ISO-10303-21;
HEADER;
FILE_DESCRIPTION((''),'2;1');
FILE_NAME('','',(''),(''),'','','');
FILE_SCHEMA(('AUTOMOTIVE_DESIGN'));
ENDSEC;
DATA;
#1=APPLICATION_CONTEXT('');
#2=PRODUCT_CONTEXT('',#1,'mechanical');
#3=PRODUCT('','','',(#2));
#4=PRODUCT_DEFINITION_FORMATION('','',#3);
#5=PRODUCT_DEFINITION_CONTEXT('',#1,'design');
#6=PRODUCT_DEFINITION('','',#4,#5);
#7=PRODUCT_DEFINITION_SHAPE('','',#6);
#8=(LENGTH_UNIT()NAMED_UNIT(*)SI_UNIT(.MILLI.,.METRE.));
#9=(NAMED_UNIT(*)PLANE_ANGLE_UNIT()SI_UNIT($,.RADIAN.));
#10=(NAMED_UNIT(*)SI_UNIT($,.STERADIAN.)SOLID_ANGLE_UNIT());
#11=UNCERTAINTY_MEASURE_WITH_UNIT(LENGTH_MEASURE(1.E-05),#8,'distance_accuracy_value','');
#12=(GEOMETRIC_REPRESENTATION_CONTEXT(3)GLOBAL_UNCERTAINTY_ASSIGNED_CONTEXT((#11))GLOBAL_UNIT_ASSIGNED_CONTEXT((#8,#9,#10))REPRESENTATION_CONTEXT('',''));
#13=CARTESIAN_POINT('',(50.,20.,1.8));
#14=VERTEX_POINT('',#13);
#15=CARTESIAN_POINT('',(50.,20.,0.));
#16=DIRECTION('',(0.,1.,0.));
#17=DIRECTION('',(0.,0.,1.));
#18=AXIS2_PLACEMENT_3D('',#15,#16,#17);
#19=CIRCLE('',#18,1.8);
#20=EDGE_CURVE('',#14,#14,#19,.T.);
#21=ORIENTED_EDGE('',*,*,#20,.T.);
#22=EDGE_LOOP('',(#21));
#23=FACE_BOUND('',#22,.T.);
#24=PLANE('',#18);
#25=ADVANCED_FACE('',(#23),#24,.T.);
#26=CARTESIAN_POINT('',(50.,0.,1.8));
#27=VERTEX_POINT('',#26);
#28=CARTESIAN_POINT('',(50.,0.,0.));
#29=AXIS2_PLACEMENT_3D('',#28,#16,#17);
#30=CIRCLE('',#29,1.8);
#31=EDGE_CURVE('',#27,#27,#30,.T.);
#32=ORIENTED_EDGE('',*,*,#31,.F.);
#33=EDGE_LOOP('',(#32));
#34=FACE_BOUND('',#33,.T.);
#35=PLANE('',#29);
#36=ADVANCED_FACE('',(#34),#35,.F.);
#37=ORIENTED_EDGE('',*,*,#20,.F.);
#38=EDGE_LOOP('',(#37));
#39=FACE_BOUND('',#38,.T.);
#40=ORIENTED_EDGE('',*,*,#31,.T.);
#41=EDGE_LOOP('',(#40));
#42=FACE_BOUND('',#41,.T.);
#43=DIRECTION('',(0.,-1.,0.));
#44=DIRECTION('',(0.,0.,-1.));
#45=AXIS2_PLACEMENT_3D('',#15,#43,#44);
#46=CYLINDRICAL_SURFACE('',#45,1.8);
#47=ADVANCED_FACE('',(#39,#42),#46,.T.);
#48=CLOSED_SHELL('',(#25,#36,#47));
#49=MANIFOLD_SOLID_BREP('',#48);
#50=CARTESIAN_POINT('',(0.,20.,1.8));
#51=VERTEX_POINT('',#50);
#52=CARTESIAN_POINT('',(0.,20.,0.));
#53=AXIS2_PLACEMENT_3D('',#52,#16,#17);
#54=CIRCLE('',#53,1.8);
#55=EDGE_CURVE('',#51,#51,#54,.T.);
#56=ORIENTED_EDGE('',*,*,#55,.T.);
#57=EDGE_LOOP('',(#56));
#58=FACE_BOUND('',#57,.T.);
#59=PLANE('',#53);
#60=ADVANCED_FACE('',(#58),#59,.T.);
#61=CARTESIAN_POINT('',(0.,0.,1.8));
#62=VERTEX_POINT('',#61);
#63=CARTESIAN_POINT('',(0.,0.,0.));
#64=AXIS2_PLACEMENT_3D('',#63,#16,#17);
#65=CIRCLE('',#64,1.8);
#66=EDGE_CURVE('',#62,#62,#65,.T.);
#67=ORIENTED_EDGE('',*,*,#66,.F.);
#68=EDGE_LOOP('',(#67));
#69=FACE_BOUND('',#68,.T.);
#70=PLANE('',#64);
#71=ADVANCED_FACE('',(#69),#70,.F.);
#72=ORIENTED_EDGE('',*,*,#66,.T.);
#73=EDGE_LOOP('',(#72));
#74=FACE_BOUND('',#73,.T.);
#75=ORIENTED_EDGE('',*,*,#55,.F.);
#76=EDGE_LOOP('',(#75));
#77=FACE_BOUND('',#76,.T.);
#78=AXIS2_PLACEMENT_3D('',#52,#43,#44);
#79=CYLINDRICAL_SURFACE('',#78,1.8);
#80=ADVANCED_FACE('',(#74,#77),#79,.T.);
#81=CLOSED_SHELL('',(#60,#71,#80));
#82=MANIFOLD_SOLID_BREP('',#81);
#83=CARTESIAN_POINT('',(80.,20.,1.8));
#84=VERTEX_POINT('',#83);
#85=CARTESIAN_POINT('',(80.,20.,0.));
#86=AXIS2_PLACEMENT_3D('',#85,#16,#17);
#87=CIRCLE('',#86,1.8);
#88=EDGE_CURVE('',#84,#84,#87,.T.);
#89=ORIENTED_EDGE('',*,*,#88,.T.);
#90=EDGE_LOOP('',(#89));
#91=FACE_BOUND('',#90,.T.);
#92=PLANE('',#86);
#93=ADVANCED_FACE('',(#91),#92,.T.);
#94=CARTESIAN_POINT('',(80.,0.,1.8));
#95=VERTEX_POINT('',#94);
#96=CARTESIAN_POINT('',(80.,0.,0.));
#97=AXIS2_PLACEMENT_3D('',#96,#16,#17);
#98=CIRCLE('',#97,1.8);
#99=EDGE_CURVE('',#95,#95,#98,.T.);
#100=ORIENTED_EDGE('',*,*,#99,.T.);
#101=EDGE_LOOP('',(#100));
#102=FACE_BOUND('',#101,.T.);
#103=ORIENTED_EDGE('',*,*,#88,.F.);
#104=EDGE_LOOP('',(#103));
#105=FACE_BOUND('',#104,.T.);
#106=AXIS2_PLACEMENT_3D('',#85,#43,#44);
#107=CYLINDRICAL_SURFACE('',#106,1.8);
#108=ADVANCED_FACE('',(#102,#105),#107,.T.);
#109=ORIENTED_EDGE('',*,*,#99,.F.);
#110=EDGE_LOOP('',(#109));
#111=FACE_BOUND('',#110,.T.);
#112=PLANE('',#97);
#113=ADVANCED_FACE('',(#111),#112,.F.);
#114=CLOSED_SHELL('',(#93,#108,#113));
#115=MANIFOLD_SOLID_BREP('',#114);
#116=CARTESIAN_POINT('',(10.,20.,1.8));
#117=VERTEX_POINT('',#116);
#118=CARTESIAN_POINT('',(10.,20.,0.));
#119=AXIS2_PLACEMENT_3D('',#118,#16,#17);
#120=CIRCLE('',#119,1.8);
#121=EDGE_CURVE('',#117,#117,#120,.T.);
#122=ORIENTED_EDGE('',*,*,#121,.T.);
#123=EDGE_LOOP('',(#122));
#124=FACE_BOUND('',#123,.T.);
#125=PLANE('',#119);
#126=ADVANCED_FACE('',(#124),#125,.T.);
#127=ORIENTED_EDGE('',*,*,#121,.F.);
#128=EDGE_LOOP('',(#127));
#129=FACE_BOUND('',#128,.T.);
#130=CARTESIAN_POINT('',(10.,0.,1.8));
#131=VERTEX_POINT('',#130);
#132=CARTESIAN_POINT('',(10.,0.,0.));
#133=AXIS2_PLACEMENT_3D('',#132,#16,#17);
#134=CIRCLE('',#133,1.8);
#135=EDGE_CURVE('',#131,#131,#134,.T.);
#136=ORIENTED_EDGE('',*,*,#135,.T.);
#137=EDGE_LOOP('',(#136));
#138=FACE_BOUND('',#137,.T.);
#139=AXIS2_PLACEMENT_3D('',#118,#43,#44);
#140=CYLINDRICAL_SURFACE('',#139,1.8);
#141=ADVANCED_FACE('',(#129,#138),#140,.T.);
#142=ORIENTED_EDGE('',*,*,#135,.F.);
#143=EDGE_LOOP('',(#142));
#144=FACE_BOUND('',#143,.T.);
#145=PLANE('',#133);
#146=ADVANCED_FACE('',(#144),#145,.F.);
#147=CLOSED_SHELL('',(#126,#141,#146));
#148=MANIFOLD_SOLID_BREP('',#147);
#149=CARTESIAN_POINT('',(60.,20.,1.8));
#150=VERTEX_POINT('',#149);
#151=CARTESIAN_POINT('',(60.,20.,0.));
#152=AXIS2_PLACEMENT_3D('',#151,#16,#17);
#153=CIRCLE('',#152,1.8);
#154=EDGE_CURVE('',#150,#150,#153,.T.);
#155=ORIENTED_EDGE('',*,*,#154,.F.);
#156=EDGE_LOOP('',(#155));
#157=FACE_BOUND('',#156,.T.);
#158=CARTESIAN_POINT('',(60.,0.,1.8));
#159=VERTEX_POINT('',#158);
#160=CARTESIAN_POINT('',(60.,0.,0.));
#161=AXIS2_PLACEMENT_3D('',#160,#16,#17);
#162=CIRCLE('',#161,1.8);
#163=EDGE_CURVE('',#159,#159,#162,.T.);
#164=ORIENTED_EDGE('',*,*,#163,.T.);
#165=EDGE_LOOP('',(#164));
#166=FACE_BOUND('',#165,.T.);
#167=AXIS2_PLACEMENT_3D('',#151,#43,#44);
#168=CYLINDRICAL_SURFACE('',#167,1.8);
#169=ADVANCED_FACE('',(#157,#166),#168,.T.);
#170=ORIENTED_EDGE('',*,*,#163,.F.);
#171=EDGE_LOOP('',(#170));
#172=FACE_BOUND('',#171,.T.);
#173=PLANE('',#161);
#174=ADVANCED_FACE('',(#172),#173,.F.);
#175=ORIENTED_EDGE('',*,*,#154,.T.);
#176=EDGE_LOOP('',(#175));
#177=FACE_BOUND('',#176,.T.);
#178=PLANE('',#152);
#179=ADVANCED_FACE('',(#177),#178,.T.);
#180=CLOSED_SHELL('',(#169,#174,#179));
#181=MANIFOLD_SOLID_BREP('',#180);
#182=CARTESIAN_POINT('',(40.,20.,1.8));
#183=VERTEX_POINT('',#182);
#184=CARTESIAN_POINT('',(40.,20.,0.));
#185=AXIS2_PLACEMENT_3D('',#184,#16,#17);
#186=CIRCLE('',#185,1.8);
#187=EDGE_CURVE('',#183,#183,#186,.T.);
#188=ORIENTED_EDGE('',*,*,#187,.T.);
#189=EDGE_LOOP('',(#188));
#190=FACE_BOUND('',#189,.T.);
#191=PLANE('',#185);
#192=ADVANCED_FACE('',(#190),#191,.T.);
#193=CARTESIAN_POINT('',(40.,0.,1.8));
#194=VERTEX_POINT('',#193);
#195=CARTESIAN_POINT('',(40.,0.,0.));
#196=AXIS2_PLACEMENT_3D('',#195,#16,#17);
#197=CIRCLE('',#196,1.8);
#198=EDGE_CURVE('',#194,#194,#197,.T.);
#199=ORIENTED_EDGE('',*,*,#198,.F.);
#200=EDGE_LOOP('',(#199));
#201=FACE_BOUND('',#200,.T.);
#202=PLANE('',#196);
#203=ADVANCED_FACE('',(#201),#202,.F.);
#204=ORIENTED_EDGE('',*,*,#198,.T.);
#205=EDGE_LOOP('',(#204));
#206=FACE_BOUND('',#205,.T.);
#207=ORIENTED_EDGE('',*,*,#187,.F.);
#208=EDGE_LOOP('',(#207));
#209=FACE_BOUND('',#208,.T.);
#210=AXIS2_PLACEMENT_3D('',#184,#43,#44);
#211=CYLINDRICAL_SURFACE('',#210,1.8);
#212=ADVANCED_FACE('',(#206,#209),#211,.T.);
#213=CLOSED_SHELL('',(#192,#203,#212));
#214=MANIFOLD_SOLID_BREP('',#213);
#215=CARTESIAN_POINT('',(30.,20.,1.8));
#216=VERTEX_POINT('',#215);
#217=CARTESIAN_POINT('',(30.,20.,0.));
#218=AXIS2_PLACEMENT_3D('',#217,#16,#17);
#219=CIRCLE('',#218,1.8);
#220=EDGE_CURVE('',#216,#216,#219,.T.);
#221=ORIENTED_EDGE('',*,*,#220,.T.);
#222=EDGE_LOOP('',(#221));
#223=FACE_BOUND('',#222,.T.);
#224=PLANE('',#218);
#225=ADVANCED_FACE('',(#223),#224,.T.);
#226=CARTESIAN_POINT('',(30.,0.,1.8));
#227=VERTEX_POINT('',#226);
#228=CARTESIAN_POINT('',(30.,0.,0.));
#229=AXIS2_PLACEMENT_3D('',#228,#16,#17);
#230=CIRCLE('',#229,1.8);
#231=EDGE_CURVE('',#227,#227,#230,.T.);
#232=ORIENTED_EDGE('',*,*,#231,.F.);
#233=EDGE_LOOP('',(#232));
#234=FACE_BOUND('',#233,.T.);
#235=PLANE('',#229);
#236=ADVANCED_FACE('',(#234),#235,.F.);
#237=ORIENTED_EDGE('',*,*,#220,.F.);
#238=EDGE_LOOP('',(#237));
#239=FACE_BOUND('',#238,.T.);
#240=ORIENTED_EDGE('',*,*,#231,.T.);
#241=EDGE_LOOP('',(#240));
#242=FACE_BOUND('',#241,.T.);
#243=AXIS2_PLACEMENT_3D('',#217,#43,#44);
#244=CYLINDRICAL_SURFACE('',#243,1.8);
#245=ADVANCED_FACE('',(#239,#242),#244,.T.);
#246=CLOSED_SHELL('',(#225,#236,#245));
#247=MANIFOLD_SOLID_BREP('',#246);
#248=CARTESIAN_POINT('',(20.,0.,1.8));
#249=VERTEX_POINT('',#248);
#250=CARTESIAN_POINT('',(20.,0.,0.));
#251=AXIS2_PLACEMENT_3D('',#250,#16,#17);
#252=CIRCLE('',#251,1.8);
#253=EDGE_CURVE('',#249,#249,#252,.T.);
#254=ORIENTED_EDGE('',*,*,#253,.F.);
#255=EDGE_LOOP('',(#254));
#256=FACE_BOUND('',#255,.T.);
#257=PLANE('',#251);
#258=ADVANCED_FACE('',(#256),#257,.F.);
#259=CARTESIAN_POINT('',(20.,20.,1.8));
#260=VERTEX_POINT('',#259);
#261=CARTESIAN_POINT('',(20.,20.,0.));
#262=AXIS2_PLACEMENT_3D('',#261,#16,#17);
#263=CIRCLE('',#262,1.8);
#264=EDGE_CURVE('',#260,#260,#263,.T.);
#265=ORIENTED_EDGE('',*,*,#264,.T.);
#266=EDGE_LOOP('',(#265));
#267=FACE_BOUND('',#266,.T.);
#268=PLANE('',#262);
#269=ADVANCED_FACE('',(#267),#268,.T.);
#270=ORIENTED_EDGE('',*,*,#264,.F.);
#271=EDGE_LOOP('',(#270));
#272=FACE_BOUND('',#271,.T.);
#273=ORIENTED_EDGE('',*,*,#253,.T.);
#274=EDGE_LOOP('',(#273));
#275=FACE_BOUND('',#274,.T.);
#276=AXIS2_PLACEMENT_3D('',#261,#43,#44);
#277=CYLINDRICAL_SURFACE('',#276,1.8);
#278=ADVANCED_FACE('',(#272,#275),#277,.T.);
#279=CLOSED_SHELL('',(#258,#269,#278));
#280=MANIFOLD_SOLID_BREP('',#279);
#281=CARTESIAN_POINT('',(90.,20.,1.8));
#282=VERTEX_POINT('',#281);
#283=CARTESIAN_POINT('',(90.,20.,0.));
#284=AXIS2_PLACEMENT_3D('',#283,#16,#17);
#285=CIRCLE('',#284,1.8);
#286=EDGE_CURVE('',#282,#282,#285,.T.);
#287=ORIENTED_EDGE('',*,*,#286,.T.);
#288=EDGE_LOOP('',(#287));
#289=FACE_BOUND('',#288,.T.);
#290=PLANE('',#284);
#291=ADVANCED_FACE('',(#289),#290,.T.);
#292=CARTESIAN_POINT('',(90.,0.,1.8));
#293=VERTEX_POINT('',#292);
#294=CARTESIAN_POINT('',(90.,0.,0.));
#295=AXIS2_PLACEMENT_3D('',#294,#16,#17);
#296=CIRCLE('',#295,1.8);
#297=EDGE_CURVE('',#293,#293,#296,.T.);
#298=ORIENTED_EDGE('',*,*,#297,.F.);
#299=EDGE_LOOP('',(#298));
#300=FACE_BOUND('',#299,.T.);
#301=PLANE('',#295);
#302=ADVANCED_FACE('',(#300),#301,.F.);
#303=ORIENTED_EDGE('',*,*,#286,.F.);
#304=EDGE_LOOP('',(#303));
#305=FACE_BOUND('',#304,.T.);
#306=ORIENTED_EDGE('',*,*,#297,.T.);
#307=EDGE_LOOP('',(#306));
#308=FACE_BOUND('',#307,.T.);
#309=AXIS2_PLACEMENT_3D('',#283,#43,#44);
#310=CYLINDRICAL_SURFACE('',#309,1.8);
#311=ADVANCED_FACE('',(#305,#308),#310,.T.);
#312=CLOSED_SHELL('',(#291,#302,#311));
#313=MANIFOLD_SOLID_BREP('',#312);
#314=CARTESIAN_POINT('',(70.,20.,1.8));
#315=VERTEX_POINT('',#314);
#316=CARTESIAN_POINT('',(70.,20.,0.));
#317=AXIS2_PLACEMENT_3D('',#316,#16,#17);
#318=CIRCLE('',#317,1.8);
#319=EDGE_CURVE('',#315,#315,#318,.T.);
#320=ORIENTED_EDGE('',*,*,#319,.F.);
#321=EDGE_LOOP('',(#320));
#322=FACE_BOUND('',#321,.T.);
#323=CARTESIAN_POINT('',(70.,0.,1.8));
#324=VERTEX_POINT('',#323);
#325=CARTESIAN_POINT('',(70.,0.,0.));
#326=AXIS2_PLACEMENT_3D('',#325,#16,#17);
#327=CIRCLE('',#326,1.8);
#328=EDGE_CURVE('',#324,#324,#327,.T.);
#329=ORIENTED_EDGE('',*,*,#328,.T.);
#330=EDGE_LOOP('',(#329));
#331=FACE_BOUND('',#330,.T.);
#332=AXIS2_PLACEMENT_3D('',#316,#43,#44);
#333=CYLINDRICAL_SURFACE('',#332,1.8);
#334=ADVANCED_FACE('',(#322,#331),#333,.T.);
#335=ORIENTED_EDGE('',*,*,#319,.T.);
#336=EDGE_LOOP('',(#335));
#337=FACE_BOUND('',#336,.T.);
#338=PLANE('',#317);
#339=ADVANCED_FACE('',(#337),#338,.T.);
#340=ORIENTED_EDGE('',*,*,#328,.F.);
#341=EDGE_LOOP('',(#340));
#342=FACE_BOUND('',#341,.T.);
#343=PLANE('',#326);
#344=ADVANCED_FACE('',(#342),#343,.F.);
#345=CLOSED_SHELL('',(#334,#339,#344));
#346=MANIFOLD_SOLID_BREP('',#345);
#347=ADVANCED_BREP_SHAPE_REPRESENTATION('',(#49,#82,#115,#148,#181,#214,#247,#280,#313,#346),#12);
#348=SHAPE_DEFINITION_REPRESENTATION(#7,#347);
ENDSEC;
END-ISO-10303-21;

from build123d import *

# Parameters (mm, degrees)
SKETCH_1_R         = 1.8
EXTRUDE_1_DEPTH    = 20
EXTRUDE_1_2_DEPTH  = 20
EXTRUDE_1_3_DEPTH  = 20
EXTRUDE_1_4_DEPTH  = 20
EXTRUDE_1_5_DEPTH  = 20
EXTRUDE_1_6_DEPTH  = 20
EXTRUDE_1_7_DEPTH  = 20
EXTRUDE_1_8_DEPTH  = 20
EXTRUDE_1_9_DEPTH  = 20
EXTRUDE_1_10_DEPTH = 20


with BuildPart() as part:
    # 草图1 → 凸台-拉伸1 (new body)
    with BuildSketch(Plane(origin=(0, 0, 0), x_dir=(1, 0, 0), z_dir=(0, 1, 0))):
        with Locations(Location((0, 0, 0), (0, 0, 270))):
            Circle(SKETCH_1_R)
    extrude(amount=EXTRUDE_1_DEPTH)


with BuildPart() as body_2:
    # 草图1 → Extrude 1 2 (new body)
    with BuildSketch(Plane(origin=(0, 0, 0), x_dir=(1, 0, 0), z_dir=(0, 1, 0))):
        with Locations(Location((10, 0, 0), (0, 0, 270))):
            Circle(SKETCH_1_R)
    extrude(amount=EXTRUDE_1_2_DEPTH)


with BuildPart() as body_3:
    # 草图1 → Extrude 1 3 (new body)
    with BuildSketch(Plane(origin=(0, 0, 0), x_dir=(1, 0, 0), z_dir=(0, 1, 0))):
        with Locations(Location((20, 0, 0), (0, 0, 270))):
            Circle(SKETCH_1_R)
    extrude(amount=EXTRUDE_1_3_DEPTH)


with BuildPart() as body_4:
    # 草图1 → Extrude 1 4 (new body)
    with BuildSketch(Plane(origin=(0, 0, 0), x_dir=(1, 0, 0), z_dir=(0, 1, 0))):
        with Locations(Location((30, 0, 0), (0, 0, 270))):
            Circle(SKETCH_1_R)
    extrude(amount=EXTRUDE_1_4_DEPTH)


with BuildPart() as body_5:
    # 草图1 → Extrude 1 5 (new body)
    with BuildSketch(Plane(origin=(0, 0, 0), x_dir=(1, 0, 0), z_dir=(0, 1, 0))):
        with Locations(Location((40, 0, 0), (0, 0, 270))):
            Circle(SKETCH_1_R)
    extrude(amount=EXTRUDE_1_5_DEPTH)


with BuildPart() as body_6:
    # 草图1 → Extrude 1 6 (new body)
    with BuildSketch(Plane(origin=(0, 0, 0), x_dir=(1, 0, 0), z_dir=(0, 1, 0))):
        with Locations(Location((50, 0, 0), (0, 0, 270))):
            Circle(SKETCH_1_R)
    extrude(amount=EXTRUDE_1_6_DEPTH)


with BuildPart() as body_7:
    # 草图1 → Extrude 1 7 (new body)
    with BuildSketch(Plane(origin=(0, 0, 0), x_dir=(1, 0, 0), z_dir=(0, 1, 0))):
        with Locations(Location((60, 0, 0), (0, 0, 270))):
            Circle(SKETCH_1_R)
    extrude(amount=EXTRUDE_1_7_DEPTH)


with BuildPart() as body_8:
    # 草图1 → Extrude 1 8 (new body)
    with BuildSketch(Plane(origin=(0, 0, 0), x_dir=(1, 0, 0), z_dir=(0, 1, 0))):
        with Locations(Location((70, 0, 0), (0, 0, 270))):
            Circle(SKETCH_1_R)
    extrude(amount=EXTRUDE_1_8_DEPTH)


with BuildPart() as body_9:
    # 草图1 → Extrude 1 9 (new body)
    with BuildSketch(Plane(origin=(0, 0, 0), x_dir=(1, 0, 0), z_dir=(0, 1, 0))):
        with Locations(Location((80, 0, 0), (0, 0, 270))):
            Circle(SKETCH_1_R)
    extrude(amount=EXTRUDE_1_9_DEPTH)


with BuildPart() as body_10:
    # 草图1 → Extrude 1 10 (new body)
    with BuildSketch(Plane(origin=(0, 0, 0), x_dir=(1, 0, 0), z_dir=(0, 1, 0))):
        with Locations(Location((90, 0, 0), (0, 0, 270))):
            Circle(SKETCH_1_R)
    extrude(amount=EXTRUDE_1_10_DEPTH)


solid = Compound([part.part, body_2.part, body_3.part, body_4.part, body_5.part, body_6.part, body_7.part, body_8.part, body_9.part, body_10.part])
